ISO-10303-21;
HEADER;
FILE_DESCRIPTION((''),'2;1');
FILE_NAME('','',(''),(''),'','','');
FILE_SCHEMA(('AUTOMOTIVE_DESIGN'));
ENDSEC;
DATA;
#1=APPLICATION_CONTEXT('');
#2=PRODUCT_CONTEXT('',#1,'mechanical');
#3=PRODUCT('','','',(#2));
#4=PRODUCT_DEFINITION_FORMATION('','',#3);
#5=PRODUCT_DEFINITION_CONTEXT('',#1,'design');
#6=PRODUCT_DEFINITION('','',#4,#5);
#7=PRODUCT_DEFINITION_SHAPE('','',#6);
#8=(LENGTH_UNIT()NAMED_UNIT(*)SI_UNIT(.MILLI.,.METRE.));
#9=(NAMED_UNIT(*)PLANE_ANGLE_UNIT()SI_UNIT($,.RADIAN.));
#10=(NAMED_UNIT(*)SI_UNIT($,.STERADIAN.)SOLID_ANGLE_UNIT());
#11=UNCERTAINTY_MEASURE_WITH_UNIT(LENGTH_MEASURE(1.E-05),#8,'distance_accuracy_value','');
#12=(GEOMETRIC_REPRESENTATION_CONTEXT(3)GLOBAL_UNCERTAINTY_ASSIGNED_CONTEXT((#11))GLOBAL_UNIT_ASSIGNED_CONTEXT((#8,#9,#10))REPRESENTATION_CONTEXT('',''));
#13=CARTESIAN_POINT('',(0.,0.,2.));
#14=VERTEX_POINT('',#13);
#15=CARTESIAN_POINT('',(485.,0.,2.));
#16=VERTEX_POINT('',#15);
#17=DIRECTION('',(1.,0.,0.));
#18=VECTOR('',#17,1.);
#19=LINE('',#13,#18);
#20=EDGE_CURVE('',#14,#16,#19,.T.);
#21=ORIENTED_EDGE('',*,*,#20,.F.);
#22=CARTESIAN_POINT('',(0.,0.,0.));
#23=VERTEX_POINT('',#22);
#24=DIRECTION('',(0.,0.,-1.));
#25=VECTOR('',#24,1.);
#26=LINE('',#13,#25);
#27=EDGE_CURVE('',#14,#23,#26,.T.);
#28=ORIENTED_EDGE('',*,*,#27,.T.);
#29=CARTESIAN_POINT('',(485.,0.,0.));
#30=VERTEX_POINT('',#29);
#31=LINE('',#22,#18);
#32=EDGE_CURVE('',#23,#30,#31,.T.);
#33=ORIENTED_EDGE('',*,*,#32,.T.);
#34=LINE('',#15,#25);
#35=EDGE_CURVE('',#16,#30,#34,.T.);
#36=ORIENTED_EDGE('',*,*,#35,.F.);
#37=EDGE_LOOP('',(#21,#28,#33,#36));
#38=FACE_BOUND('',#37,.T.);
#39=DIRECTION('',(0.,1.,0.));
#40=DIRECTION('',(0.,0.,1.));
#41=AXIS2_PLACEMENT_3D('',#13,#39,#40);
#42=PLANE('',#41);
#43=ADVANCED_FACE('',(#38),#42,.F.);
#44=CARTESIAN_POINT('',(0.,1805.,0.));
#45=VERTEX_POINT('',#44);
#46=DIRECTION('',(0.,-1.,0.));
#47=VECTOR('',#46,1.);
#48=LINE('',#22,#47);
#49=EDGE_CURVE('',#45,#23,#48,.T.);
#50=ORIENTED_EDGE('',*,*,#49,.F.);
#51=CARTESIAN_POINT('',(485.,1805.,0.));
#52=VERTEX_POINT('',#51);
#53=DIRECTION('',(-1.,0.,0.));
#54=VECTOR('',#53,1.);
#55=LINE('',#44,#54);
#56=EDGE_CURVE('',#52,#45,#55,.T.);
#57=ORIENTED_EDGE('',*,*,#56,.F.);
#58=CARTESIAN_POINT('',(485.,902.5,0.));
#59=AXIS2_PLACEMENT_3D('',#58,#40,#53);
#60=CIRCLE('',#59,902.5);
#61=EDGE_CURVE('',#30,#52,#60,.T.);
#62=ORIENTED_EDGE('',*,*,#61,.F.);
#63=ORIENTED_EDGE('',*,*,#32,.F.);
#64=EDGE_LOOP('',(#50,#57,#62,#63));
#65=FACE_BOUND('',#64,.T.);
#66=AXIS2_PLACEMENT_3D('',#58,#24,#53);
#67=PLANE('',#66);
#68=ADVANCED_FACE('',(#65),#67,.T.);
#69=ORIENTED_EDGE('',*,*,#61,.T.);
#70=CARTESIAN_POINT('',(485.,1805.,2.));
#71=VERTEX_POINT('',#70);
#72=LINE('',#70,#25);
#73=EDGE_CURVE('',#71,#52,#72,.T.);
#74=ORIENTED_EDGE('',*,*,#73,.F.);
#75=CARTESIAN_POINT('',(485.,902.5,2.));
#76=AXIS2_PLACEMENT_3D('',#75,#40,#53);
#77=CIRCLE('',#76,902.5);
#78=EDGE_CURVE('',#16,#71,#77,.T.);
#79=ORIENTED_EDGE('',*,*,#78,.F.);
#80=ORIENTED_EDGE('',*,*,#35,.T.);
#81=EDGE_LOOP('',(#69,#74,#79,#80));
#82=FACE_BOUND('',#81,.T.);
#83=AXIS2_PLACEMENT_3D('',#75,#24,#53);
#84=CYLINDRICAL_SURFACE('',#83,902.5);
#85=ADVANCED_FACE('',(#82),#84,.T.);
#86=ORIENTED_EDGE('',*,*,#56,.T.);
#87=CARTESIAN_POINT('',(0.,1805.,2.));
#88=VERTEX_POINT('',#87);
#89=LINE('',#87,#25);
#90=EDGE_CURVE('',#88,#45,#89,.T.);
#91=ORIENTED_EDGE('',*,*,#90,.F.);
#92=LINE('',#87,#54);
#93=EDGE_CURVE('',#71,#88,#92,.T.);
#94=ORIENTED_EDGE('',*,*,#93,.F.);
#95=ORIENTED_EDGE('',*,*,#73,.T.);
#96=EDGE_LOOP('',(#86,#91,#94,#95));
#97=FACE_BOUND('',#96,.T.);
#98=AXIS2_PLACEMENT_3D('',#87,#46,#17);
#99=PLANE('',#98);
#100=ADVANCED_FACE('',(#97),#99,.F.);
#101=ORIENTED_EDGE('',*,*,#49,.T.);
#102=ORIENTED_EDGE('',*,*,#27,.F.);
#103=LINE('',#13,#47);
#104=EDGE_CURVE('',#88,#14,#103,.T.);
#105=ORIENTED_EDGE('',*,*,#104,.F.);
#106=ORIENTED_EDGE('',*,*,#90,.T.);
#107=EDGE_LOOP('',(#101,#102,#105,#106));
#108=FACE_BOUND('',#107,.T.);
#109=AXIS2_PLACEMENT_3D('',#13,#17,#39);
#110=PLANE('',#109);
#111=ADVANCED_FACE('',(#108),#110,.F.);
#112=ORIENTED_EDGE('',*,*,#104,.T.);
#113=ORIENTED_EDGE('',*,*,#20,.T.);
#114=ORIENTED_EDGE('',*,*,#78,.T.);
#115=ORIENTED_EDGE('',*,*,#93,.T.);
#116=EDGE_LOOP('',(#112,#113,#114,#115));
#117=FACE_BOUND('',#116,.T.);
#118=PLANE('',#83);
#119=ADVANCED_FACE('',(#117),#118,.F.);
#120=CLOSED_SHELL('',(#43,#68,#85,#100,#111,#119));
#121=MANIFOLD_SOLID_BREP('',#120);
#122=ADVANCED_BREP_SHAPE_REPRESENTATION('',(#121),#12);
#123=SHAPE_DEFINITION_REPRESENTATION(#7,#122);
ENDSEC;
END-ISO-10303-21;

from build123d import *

# Parameters (mm, degrees)
BOSS_EXTRUDE1_DEPTH = 2


with BuildPart() as part:
    # Sketch1 → Boss-Extrude1 (new body)
    with BuildSketch(Plane.XY):
        with BuildLine():
            Line((0, 0), (485, 0))
            ThreePointArc((485, 0), (1387.5, 902.5), (485, 1805))
            Line((485, 1805), (0, 1805))
            Line((0, 1805), (0, 0))
        make_face()
    extrude(amount=BOSS_EXTRUDE1_DEPTH)


solid = part.part
